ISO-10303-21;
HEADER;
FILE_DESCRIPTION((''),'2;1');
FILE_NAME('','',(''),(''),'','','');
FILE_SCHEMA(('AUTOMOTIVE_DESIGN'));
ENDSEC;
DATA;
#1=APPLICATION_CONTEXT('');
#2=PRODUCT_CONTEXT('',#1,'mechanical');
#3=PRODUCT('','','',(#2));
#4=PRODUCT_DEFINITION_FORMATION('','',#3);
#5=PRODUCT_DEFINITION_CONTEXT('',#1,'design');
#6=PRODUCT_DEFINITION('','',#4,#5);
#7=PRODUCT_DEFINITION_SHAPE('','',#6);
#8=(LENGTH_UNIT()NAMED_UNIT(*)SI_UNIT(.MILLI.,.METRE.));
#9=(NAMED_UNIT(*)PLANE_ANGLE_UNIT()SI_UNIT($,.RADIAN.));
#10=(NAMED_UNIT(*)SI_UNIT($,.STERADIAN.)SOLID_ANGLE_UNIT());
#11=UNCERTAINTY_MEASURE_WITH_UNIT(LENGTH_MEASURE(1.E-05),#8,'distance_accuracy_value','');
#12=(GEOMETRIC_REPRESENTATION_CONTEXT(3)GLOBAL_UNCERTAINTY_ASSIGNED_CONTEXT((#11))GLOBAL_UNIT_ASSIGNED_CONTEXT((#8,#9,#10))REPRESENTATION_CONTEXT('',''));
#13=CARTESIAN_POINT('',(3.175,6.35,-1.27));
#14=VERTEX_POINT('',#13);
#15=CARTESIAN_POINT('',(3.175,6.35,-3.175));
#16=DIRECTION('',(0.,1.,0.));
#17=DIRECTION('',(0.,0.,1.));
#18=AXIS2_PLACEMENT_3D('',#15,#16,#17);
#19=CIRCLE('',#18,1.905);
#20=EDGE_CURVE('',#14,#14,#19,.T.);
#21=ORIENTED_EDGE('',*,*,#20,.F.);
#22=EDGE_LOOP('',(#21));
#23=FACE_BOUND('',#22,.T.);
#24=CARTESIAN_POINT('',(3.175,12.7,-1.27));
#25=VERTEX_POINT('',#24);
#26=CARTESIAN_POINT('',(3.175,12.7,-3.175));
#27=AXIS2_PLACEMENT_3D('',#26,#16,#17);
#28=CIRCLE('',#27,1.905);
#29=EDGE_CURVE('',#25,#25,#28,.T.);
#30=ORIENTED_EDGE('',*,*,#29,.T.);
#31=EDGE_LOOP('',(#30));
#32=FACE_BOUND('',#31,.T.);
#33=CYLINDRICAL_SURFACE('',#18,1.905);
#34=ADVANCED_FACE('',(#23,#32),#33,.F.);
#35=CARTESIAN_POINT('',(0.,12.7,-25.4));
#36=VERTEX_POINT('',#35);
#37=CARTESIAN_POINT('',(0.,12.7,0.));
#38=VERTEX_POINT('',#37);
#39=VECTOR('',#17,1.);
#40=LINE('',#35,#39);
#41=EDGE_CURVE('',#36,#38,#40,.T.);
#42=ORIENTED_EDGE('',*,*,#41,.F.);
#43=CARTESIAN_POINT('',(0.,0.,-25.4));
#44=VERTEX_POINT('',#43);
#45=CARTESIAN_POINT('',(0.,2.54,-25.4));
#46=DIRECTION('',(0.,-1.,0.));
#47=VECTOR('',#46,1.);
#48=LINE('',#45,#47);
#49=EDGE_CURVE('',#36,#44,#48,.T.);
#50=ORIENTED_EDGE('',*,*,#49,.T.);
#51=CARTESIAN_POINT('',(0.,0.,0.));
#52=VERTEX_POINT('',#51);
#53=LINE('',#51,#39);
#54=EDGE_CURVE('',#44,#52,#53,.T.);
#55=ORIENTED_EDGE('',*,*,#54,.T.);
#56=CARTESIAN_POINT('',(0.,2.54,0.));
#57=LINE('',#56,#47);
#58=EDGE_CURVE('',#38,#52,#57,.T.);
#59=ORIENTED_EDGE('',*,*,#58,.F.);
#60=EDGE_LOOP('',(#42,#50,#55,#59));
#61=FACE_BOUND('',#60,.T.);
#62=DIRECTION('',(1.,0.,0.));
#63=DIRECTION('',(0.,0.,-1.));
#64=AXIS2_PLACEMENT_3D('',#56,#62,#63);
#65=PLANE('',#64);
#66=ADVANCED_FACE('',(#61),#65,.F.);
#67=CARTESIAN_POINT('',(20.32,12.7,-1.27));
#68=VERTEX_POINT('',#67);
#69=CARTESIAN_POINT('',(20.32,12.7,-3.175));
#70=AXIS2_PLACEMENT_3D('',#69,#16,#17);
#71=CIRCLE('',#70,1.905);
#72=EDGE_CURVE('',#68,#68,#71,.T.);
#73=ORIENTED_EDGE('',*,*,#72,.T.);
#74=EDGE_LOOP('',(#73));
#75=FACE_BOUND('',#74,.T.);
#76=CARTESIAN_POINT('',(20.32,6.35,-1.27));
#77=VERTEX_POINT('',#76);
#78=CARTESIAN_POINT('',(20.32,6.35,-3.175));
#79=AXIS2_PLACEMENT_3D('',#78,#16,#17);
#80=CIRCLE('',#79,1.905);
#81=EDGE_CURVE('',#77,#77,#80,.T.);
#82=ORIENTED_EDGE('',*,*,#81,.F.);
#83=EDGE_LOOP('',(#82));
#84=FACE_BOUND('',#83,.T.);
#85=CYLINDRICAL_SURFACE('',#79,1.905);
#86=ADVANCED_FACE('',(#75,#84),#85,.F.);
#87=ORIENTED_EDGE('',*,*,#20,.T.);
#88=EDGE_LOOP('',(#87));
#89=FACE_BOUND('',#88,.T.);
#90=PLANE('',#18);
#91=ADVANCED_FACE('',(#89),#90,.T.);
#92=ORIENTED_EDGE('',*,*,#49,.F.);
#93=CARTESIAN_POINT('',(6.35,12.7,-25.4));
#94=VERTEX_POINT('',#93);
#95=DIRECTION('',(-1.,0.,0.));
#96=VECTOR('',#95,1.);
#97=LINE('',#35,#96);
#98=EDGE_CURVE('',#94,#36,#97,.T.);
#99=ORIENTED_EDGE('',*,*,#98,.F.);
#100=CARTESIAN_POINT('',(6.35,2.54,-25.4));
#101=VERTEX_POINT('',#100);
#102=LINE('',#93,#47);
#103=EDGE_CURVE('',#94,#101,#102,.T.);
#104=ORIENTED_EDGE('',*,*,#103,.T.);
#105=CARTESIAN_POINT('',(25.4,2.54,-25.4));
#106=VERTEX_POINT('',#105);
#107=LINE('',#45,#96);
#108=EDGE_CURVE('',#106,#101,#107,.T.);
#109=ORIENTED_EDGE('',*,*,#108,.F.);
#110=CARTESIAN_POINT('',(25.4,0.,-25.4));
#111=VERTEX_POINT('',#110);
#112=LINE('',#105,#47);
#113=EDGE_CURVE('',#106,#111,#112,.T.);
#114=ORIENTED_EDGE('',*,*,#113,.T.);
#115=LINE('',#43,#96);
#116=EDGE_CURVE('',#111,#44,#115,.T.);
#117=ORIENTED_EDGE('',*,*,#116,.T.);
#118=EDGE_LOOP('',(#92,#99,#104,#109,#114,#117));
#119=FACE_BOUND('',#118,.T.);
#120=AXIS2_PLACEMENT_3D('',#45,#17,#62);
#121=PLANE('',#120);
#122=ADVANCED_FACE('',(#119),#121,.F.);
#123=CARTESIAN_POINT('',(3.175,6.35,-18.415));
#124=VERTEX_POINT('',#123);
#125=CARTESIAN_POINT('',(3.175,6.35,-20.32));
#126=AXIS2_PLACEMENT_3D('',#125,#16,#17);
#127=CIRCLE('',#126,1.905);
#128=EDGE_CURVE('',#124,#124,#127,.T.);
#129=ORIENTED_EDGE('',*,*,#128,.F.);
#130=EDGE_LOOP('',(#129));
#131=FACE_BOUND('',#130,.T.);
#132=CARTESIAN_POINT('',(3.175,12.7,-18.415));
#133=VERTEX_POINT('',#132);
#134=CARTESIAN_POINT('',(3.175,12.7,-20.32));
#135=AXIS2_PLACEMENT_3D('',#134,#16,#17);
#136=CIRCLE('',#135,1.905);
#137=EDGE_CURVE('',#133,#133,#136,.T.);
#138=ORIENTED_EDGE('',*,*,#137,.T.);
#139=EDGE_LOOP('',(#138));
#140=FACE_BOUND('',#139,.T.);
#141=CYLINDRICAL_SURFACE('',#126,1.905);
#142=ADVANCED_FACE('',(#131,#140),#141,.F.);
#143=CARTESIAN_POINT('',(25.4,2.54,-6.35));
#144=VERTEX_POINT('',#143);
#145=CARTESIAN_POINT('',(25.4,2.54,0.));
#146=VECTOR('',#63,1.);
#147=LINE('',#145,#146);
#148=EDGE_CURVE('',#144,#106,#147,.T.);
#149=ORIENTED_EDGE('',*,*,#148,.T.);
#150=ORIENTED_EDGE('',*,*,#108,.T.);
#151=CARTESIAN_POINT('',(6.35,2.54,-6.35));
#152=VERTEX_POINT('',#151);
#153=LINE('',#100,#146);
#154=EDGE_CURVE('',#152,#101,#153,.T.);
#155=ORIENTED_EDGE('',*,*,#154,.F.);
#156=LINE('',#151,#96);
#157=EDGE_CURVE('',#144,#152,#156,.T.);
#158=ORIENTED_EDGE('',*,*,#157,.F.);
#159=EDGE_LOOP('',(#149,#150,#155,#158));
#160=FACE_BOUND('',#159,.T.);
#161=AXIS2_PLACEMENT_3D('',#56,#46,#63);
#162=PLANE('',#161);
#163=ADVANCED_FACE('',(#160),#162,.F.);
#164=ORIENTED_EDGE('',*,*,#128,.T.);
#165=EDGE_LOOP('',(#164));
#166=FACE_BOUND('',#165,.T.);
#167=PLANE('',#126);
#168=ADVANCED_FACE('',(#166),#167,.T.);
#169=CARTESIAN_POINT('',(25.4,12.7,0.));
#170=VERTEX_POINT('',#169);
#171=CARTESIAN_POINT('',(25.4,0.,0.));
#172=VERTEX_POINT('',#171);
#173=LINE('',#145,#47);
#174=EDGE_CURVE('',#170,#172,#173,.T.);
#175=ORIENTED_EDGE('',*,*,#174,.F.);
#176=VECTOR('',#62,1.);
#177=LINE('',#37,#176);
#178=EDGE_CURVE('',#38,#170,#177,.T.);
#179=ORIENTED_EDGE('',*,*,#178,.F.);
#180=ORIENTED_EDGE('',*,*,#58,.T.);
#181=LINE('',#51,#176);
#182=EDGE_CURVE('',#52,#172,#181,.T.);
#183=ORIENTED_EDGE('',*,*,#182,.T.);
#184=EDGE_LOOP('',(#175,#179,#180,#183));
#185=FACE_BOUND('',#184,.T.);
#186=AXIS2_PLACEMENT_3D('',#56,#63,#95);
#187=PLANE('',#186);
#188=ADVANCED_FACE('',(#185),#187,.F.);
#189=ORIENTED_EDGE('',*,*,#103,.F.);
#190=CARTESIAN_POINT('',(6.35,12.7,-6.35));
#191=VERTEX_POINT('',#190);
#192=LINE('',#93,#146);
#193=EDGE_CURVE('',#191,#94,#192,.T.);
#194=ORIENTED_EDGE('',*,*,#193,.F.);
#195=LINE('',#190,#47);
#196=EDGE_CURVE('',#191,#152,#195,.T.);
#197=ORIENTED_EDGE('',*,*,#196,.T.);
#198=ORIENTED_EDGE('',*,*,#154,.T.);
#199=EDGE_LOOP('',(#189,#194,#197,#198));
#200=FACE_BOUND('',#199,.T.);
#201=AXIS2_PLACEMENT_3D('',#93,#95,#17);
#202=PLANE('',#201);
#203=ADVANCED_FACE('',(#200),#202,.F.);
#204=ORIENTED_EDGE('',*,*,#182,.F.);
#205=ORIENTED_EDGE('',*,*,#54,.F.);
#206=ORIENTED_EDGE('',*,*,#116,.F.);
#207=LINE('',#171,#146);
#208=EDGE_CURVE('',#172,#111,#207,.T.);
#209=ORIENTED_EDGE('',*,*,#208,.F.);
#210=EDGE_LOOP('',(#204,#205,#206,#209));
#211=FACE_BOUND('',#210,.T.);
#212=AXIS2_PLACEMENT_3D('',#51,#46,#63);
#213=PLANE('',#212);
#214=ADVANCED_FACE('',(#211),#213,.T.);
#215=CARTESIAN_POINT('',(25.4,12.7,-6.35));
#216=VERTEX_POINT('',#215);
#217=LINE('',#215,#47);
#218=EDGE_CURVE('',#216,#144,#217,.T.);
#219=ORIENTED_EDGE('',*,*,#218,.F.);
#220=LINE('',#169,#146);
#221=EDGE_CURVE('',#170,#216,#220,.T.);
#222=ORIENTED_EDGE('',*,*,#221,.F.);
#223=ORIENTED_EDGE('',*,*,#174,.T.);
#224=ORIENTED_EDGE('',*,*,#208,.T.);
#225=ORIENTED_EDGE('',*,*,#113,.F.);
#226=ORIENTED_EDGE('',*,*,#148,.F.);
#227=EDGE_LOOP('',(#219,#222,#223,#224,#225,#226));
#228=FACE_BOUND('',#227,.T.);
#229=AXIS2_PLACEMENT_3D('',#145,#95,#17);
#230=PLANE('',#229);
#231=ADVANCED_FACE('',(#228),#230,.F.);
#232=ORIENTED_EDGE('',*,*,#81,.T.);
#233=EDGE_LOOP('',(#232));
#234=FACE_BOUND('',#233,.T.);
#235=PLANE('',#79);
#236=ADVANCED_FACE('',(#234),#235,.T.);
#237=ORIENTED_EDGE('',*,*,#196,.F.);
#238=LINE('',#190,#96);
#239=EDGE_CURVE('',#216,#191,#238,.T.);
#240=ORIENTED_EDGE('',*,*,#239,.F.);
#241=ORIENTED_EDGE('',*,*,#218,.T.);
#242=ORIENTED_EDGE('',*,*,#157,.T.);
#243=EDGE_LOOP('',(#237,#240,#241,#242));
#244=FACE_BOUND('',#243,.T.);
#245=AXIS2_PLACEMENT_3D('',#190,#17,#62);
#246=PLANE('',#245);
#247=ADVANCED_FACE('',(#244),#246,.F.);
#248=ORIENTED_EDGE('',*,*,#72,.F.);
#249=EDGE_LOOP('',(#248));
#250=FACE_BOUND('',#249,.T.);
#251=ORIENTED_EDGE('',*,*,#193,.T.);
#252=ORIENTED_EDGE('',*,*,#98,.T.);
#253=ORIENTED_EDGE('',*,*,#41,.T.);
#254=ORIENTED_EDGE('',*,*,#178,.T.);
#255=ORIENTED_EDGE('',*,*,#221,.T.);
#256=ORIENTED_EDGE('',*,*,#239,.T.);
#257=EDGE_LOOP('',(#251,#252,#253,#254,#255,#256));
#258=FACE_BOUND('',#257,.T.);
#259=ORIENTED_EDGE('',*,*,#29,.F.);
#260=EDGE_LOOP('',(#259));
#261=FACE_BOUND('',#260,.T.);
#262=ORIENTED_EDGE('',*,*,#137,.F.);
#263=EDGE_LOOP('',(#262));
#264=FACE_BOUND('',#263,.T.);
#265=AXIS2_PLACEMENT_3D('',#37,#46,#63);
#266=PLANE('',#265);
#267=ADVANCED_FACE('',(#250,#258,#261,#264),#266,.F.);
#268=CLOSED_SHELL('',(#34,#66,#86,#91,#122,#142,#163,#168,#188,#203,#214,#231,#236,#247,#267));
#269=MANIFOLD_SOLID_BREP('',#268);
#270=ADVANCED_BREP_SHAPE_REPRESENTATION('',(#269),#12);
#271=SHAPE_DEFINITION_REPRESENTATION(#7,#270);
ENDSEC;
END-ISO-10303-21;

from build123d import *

# Parameters (mm, degrees)
SKETCH1_W           = 25.4
SKETCH1_H           = 25.4
BOSS_EXTRUDE1_DEPTH = 2.54
BOSS_EXTRUDE2_DEPTH = 10.16
SKETCH3_R           = 1.905
CUT_EXTRUDE1_DEPTH  = 6.35


with BuildPart() as part:
    # Sketch1 → Boss-Extrude1 (new body)
    with BuildSketch(Plane(origin=(0, 0, 0), x_dir=(1, 0, 0), z_dir=(0, 1, 0))):
        with Locations((12.7, 12.7)):
            Rectangle(SKETCH1_W, SKETCH1_H)
    extrude(amount=BOSS_EXTRUDE1_DEPTH)

    # Sketch2 → Boss-Extrude2 (add)
    with BuildSketch(Plane(origin=(0, 2.54, 0), x_dir=(1, 0, 0), z_dir=(0, 1, 0))):
        Polygon((0, 25.4), (0, 0), (25.4, 0), (25.4, 6.35), (6.35, 6.35), (6.35, 25.4), align=None)
    extrude(amount=BOSS_EXTRUDE2_DEPTH)

    # Sketch3 → Cut-Extrude1 (cut)
    with BuildSketch(Plane(origin=(0, 12.7, 0), x_dir=(1, 0, 0), z_dir=(0, 1, 0))):
        with Locations((3.175, 20.32)):
            Circle(SKETCH3_R)
        with Locations((3.175, 3.175)):
            Circle(SKETCH3_R)
        with Locations((20.32, 3.175)):
            Circle(SKETCH3_R)
    extrude(amount=-CUT_EXTRUDE1_DEPTH, mode=Mode.SUBTRACT)


solid = part.part
